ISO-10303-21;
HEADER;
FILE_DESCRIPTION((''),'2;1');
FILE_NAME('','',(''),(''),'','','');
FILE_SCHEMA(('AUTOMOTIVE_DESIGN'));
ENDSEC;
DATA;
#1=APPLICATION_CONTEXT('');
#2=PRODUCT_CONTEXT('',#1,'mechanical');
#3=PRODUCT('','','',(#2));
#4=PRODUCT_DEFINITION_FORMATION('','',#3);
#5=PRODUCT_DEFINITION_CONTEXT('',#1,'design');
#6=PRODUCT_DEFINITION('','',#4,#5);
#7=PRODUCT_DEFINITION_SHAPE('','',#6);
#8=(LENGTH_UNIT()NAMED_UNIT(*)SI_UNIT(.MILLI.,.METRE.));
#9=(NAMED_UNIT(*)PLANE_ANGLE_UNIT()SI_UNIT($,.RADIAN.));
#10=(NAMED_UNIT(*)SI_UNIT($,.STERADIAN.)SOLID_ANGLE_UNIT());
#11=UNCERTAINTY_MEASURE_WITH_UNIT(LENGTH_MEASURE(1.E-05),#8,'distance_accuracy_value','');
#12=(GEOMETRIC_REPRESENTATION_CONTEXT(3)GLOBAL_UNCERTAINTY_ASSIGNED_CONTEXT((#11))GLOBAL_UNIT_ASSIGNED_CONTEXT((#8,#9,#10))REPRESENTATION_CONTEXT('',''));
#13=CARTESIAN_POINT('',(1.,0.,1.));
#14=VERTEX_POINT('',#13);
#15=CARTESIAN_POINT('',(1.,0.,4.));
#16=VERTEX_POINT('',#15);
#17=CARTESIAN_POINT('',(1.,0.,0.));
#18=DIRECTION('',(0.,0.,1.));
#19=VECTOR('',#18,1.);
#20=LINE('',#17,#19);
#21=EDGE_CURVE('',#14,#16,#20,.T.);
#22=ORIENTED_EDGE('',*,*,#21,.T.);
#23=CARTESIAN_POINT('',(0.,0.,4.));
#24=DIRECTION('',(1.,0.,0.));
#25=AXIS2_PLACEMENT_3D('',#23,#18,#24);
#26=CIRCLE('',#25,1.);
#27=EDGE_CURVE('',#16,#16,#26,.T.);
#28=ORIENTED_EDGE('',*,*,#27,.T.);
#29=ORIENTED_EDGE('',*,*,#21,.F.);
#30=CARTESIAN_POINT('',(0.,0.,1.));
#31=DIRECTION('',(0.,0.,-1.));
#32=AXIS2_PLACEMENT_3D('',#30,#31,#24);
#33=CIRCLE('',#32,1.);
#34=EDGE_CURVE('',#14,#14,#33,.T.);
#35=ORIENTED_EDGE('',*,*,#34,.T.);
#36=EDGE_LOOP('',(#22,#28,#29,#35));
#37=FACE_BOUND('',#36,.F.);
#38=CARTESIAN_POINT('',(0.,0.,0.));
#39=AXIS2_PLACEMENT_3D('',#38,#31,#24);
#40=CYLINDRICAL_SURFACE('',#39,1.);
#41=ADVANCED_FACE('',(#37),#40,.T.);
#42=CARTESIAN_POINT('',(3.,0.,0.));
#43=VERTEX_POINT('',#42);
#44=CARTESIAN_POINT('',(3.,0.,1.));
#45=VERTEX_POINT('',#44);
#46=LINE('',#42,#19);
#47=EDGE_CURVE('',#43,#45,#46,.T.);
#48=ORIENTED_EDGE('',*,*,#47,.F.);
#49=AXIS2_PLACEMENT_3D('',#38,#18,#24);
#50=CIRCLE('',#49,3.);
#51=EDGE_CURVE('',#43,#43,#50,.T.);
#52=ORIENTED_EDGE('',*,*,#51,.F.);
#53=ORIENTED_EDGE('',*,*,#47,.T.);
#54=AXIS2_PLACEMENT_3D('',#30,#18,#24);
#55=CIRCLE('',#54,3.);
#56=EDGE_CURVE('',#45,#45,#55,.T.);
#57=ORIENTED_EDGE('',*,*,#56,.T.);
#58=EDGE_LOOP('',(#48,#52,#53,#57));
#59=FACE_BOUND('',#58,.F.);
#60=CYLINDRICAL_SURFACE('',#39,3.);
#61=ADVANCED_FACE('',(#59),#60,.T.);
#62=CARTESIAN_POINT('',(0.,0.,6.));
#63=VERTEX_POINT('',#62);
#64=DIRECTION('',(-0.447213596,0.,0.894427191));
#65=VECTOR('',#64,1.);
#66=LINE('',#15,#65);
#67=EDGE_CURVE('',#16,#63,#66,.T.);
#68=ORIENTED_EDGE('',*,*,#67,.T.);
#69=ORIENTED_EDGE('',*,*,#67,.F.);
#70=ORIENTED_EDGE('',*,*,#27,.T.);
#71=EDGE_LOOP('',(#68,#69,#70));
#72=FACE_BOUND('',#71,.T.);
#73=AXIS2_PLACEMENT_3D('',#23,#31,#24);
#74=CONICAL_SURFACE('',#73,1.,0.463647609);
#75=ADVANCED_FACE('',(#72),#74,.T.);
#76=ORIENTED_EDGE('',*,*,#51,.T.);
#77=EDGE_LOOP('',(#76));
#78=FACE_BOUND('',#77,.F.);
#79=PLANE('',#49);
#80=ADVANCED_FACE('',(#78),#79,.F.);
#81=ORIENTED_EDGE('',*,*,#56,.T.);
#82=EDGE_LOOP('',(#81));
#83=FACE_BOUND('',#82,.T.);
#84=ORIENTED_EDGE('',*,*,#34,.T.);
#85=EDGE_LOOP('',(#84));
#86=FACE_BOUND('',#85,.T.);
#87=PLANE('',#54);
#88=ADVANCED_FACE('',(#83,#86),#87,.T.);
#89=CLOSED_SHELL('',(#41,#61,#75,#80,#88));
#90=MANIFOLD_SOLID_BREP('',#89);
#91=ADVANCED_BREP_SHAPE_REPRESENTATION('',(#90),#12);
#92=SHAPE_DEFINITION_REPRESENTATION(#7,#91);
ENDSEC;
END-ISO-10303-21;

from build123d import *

# Parameters (mm, degrees)
CYLINDER_R        = 3
CYLINDER_DEPTH    = 1
CYLINDER001_R     = 1
CYLINDER001_DEPTH = 4


with BuildPart() as part:
    # Cylinder → Cylinder (join)
    with BuildSketch(Plane.XY):
        Circle(CYLINDER_R)
    extrude(amount=CYLINDER_DEPTH)

    # Cylinder001 → Cylinder001 (join)
    with BuildSketch(Plane.XY):
        Circle(CYLINDER001_R)
    extrude(amount=CYLINDER001_DEPTH)

    # Cone → Cone (revolve)
    with BuildSketch(Plane(origin=(0, 0, 4), x_dir=(1, 0, 0), z_dir=(0, -1, 0))):
        Polygon((0, 0), (1, 0), (0, 2), align=None)
    revolve(axis=Axis((0, 0, 4), (0, 0, 1)))


solid = part.part
